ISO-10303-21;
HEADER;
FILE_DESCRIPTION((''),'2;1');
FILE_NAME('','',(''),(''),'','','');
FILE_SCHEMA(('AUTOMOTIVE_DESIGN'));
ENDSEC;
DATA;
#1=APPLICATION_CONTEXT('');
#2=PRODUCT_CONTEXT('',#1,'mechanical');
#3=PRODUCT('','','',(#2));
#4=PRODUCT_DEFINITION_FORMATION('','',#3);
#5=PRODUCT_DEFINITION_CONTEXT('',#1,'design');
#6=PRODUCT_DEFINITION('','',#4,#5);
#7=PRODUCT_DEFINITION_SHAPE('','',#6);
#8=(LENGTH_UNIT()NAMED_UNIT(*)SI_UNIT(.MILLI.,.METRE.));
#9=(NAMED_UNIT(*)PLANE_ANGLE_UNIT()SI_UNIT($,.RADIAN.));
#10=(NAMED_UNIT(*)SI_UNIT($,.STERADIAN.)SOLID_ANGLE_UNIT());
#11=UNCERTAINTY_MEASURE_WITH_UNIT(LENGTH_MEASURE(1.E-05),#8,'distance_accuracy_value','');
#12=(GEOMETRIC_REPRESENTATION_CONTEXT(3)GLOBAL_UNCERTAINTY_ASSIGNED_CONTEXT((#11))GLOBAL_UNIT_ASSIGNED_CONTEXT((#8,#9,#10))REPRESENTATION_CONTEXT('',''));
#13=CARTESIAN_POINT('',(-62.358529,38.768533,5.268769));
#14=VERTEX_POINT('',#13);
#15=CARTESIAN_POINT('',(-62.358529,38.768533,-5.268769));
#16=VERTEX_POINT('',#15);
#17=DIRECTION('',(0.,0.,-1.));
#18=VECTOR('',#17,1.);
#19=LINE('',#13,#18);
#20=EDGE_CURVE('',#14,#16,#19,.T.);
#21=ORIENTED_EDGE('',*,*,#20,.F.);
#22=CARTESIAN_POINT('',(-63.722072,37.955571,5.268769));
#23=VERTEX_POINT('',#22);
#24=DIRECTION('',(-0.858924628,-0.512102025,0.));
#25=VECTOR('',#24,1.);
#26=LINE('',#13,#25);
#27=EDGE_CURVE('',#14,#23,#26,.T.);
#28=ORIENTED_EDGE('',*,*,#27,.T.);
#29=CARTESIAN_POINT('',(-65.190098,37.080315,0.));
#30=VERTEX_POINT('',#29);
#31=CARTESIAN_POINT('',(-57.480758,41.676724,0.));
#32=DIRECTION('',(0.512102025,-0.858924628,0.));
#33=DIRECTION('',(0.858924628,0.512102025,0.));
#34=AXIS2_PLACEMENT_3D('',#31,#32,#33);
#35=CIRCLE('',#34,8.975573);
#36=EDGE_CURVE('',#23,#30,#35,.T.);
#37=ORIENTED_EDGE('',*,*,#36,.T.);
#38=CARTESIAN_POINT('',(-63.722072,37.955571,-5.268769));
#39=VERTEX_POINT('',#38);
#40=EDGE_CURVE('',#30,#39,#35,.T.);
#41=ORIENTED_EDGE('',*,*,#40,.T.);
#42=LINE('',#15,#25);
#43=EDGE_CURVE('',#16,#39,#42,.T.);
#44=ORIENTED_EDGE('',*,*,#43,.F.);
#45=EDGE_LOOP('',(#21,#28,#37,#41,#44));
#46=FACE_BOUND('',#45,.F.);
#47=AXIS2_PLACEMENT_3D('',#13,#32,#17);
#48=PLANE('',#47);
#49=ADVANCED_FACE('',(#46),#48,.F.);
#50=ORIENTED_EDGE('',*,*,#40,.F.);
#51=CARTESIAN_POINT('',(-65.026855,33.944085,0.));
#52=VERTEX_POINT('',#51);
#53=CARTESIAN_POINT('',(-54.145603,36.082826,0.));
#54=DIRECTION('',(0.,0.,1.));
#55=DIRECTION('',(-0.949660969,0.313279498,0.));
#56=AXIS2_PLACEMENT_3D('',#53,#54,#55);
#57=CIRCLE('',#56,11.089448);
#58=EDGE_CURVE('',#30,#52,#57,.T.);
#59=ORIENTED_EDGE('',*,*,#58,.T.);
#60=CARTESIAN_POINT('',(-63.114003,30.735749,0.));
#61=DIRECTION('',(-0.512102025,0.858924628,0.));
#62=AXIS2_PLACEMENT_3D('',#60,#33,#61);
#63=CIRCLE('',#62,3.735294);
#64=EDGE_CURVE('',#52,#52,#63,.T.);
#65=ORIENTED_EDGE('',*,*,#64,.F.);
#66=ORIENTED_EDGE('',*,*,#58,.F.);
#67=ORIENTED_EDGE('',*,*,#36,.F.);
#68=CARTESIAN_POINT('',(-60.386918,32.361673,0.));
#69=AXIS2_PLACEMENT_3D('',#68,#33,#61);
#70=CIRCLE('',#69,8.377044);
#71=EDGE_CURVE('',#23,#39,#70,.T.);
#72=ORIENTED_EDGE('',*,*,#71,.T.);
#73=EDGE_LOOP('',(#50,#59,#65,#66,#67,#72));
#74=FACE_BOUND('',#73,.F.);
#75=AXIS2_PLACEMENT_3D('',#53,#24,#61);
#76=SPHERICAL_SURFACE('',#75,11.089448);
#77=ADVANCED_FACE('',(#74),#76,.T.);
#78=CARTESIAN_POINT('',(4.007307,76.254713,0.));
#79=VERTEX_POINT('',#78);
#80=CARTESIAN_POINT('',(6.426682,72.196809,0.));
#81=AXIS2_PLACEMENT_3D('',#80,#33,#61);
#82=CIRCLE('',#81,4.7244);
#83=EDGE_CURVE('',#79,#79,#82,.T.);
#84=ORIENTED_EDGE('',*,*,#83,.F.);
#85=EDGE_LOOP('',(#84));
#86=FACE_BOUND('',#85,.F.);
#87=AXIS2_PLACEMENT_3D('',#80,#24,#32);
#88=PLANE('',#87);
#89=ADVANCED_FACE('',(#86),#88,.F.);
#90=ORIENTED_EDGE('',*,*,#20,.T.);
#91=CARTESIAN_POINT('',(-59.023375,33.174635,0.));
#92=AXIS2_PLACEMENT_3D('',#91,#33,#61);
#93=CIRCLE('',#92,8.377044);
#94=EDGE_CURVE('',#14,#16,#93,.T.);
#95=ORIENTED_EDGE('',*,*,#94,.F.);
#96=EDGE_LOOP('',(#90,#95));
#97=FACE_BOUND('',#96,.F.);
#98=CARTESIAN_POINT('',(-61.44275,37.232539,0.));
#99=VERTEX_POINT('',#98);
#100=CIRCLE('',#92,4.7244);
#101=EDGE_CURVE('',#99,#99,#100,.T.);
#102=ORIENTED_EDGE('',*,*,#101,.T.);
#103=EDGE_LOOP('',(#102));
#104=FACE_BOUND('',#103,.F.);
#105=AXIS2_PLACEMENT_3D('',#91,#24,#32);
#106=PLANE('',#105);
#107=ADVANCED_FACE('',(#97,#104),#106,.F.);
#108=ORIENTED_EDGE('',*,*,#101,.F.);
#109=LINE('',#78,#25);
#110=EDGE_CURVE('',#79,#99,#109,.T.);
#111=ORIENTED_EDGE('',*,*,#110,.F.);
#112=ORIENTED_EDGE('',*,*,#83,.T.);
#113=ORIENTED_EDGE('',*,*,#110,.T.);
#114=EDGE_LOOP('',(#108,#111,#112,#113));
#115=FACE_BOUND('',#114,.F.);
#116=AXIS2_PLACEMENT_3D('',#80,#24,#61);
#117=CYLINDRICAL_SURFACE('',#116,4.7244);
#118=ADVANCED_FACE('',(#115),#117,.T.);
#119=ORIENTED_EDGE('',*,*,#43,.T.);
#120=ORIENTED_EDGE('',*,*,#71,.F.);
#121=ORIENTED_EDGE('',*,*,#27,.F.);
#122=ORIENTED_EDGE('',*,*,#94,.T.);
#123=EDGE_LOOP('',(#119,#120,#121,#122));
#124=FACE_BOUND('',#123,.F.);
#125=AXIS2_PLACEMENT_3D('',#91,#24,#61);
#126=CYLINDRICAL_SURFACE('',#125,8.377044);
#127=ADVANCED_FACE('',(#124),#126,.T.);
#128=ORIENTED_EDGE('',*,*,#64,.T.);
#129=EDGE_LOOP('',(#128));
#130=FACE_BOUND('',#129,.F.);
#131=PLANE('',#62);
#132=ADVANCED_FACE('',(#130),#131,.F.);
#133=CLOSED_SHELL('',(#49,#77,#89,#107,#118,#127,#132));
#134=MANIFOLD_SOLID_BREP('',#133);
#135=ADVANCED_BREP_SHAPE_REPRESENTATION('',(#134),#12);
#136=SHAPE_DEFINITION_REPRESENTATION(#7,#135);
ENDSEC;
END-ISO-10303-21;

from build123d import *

# Parameters (mm, degrees)
F3_DEPTH = 25.4


with BuildPart() as f1:
    # F0 (on Top) → F1 (revolve)
    with BuildSketch(Plane.XY):
        Polygon((-61.442749696, 37.2325386005), (-59.02337489, 33.1746350891), (6.4266817462, 72.1968093792), (4.0073069402, 76.2547128906), align=None)
        Polygon((-63.3132761975, 40.3698846785), (-64.6768190441, 39.5569227141), (-60.3869177366, 32.3616731247), (-59.02337489, 33.1746350891), (-61.442749696, 37.2325386005), align=None)
        with BuildLine():
            Line((-60.3869177366, 32.3616731247), (-64.6768190441, 39.5569227141))
            ThreePointArc((-64.6768190441, 39.5569227141), (-65.2135492475, 36.7730616391), (-65.0268551106, 33.9440853056))
            Line((-65.0268551106, 33.9440853056), (-63.1140034297, 30.735749196))
            Line((-63.1140034297, 30.735749196), (-60.3869177366, 32.3616731247))
        make_face()
    revolve(axis=Axis((-26.2983465719, 52.6857222341, 0), (0.8589246278, 0.5121020248, 0)))

    # F2 (on face) → F3 (cut)
    with BuildSketch(Plane(origin=(-28.9524874881, -17.261849278, 0), x_dir=(-0.5121020248, 0.8589246278, 0), z_dir=(0.8589246278, 0.5121020248, 0))):
        with BuildLine():
            ThreePointArc((65.2331767239, -5.2687686729), (67.0975451083, 0), (65.2331767239, 5.2687686729))
            Line((65.2331767239, 5.2687686729), (65.2331767239, -5.2687686729))
        make_face()
    extrude(amount=-F3_DEPTH, mode=Mode.SUBTRACT)


solid = f1.part
